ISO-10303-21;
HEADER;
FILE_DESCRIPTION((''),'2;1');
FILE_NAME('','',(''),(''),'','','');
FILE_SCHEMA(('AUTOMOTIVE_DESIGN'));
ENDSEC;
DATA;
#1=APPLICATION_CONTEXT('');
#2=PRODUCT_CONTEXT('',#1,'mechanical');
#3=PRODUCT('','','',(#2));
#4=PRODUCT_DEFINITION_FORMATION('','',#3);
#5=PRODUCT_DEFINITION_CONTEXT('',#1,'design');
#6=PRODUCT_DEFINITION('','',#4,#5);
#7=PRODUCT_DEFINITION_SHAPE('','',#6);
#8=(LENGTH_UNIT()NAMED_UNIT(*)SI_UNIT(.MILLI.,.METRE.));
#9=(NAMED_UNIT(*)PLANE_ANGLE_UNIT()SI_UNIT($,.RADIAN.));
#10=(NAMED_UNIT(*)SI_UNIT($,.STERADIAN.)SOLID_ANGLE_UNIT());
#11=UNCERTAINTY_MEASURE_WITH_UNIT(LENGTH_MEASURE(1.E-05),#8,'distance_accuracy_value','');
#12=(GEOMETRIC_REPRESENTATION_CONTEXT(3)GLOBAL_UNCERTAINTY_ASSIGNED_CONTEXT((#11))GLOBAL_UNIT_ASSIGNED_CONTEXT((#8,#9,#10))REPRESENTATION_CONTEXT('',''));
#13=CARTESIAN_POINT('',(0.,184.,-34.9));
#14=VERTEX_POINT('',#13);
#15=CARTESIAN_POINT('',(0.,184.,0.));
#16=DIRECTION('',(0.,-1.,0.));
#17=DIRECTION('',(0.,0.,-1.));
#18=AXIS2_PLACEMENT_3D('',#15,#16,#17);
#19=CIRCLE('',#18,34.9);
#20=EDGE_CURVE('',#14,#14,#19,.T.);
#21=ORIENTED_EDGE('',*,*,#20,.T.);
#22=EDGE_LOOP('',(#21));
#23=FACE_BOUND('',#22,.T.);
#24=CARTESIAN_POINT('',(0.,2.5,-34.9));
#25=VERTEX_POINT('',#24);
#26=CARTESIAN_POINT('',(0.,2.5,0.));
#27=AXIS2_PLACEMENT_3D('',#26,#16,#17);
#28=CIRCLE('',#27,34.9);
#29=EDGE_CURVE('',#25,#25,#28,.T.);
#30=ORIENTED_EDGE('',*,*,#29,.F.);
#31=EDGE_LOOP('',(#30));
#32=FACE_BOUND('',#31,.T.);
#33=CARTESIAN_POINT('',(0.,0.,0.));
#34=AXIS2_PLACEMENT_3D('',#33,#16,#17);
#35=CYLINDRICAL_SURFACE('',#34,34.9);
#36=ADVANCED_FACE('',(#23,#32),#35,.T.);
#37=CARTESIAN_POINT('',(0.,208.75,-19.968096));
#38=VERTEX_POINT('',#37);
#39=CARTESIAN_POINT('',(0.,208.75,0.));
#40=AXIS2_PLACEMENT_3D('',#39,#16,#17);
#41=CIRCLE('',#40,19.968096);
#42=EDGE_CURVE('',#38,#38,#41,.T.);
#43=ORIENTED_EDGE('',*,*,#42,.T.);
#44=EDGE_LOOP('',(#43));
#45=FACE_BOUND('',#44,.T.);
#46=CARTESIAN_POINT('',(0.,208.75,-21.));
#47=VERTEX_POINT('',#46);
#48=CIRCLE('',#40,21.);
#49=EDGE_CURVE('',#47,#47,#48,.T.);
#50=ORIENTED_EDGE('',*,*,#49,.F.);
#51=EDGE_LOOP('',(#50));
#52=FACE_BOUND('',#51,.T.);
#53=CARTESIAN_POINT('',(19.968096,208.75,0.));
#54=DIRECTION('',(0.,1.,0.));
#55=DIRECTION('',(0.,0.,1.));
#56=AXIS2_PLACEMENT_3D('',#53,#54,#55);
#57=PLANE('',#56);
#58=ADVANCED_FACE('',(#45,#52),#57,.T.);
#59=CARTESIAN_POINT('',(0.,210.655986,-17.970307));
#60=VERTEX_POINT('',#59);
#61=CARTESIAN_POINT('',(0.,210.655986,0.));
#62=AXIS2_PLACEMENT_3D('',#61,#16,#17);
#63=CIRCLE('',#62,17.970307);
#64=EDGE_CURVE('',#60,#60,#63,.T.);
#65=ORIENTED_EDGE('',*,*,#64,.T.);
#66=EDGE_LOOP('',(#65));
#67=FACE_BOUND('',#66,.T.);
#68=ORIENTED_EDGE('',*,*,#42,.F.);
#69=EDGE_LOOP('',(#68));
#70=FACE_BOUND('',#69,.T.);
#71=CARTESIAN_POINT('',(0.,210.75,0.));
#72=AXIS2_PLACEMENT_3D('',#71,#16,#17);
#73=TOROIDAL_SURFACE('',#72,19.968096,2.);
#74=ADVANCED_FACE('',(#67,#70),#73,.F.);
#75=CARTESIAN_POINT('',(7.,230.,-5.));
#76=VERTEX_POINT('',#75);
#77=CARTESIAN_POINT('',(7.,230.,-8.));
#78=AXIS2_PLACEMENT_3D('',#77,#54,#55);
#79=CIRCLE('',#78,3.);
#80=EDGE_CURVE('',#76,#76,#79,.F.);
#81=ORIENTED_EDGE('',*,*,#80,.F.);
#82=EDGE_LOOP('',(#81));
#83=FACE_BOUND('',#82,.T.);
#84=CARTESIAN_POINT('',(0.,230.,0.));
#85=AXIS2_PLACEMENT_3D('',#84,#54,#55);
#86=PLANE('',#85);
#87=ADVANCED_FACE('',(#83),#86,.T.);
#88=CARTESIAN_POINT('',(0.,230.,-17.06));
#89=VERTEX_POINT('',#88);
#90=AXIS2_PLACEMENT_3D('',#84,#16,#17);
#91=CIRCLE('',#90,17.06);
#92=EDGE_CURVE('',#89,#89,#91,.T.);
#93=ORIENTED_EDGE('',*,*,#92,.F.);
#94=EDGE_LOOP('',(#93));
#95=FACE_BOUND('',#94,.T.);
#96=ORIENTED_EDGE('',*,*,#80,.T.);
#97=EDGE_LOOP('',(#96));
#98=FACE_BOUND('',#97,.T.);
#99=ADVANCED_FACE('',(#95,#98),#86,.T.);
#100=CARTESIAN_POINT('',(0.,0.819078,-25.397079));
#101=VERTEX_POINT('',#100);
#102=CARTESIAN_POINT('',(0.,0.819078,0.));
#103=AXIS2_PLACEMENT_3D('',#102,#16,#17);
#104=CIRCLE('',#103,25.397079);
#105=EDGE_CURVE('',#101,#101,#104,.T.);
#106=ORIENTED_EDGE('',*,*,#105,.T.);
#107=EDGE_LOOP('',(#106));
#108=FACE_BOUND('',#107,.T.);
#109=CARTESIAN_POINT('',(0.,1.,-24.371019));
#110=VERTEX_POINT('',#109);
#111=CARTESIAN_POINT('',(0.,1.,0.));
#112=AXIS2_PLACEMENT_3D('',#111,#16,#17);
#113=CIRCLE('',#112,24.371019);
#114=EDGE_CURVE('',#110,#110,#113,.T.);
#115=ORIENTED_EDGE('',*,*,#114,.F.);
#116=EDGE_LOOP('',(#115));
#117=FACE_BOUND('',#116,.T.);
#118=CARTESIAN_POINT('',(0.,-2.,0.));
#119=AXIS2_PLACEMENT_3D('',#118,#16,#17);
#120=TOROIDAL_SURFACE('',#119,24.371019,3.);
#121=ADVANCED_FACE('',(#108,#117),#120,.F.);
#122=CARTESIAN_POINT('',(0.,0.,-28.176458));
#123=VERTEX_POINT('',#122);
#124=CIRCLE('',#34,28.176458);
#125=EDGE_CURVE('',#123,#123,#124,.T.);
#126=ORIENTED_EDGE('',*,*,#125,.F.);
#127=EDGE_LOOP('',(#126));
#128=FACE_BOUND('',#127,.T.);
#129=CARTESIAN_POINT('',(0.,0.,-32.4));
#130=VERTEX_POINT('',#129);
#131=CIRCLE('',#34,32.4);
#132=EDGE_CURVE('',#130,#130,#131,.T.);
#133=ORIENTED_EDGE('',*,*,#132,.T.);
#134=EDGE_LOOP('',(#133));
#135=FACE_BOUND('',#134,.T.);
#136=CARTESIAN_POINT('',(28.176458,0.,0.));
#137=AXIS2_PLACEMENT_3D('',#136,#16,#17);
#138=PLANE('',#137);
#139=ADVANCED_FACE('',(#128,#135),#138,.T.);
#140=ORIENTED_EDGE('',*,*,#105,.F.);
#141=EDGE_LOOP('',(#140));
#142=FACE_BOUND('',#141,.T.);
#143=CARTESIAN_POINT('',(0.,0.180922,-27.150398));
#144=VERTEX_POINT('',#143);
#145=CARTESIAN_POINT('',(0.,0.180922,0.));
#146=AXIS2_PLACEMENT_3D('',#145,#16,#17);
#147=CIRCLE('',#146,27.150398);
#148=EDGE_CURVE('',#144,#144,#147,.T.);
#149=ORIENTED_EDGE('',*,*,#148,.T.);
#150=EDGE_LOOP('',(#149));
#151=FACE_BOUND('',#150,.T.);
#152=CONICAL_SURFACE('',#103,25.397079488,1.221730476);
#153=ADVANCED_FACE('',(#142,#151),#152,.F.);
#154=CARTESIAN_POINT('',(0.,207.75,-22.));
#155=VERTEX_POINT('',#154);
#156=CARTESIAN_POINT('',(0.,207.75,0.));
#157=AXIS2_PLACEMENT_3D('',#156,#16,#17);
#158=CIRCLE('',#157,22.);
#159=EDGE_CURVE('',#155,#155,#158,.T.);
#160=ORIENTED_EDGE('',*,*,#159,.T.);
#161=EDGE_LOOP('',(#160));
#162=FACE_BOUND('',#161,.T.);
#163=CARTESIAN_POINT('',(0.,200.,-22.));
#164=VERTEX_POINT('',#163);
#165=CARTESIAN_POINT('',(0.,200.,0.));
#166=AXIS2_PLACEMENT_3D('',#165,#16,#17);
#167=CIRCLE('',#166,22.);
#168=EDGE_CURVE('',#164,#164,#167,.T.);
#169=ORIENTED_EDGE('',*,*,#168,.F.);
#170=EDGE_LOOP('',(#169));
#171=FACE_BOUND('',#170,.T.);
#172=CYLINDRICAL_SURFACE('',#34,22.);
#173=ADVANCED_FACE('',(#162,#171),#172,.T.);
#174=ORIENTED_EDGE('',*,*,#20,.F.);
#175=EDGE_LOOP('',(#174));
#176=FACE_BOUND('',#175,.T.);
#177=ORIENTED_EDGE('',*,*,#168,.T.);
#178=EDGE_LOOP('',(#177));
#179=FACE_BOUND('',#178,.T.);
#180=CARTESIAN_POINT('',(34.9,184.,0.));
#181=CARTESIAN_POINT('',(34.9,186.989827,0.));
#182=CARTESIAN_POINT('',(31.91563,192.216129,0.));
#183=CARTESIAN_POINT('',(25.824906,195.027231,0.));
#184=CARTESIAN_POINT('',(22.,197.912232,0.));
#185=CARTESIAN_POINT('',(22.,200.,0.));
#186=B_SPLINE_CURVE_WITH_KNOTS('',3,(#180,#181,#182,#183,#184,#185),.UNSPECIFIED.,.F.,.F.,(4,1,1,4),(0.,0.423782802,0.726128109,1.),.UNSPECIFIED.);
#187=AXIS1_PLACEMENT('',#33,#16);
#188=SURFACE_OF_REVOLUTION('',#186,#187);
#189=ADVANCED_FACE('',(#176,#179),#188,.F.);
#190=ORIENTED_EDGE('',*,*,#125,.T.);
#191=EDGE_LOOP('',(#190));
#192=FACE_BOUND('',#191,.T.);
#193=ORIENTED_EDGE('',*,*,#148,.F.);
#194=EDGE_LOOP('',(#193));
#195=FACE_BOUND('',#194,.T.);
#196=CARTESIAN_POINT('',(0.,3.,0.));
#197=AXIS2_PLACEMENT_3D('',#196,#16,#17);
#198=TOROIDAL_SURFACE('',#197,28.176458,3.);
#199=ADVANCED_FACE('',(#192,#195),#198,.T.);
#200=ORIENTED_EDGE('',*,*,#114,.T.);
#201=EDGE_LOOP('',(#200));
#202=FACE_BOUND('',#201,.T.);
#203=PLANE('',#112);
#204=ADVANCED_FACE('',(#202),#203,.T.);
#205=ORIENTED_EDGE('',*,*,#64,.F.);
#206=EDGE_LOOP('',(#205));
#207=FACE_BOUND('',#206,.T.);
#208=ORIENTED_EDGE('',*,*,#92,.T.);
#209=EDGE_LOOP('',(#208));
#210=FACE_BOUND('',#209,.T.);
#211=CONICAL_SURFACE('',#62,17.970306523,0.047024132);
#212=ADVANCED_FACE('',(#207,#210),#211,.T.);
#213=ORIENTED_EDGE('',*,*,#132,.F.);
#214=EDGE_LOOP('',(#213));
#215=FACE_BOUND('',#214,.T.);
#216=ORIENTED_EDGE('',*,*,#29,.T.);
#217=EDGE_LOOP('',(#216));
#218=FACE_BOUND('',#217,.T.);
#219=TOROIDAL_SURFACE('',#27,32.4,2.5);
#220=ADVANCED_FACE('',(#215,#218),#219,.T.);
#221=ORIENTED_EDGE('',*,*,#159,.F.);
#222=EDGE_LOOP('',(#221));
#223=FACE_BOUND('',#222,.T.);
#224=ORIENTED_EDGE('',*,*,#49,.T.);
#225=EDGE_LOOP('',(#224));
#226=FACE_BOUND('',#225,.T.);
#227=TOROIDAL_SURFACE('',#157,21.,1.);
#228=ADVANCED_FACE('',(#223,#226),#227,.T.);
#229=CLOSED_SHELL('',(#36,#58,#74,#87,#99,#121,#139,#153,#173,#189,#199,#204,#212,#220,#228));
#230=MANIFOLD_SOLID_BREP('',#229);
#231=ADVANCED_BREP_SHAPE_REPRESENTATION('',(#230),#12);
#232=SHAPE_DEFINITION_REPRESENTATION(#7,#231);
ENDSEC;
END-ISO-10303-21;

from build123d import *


with BuildPart() as part:
    # Sketch1 → Revolve1 (revolve)
    with BuildSketch(Plane.XY, mode=Mode.PRIVATE) as revolve1_sk:
        with BuildLine():
            Line((28.176458362, 0), (32.4, 0))
            ThreePointArc((32.4, 0), (34.167766953, 0.732233047), (34.9, 2.5))
            Line((34.9, 2.5), (34.9, 184))
            add(Edge.make_bspline(
                [(34.9, 184), (34.9, 186.989827139), (31.915630123, 192.216128506), (25.82490647, 195.027230742), (22, 197.912231806), (22, 200)],
                knots=[0, 0, 0, 0, 0.423782802, 0.726128109, 1, 1, 1, 1], degree=3))
            Line((22, 200), (22, 207.75))
            ThreePointArc((22, 207.75), (21.707106781, 208.457106781), (21, 208.75))
            Line((21, 208.75), (19.968095661, 208.75))
            ThreePointArc((19.968095661, 208.75), (18.587521001, 209.302929301), (17.970306523, 210.655986393))
            Line((17.970306523, 210.655986393), (17.06, 230))
            Line((17.06, 230), (0, 230))
            Line((0, 230), (0, 1))
            Line((0, 1), (24.371019058, 1))
            ThreePointArc((24.371019058, 1), (24.891963591, 0.954423259), (25.397079488, 0.819077862))
            Line((25.397079488, 0.819077862), (27.150397932, 0.180922138))
            ThreePointArc((27.150397932, 0.180922138), (27.655513829, 0.045576741), (28.176458362, 0))
        make_face()
    revolve(revolve1_sk.sketch.rotate(Axis((0, 0, 0), (0, 1, 0)), 90), axis=Axis((0, 0, 0), (0, 1, 0)))


solid = part.part
